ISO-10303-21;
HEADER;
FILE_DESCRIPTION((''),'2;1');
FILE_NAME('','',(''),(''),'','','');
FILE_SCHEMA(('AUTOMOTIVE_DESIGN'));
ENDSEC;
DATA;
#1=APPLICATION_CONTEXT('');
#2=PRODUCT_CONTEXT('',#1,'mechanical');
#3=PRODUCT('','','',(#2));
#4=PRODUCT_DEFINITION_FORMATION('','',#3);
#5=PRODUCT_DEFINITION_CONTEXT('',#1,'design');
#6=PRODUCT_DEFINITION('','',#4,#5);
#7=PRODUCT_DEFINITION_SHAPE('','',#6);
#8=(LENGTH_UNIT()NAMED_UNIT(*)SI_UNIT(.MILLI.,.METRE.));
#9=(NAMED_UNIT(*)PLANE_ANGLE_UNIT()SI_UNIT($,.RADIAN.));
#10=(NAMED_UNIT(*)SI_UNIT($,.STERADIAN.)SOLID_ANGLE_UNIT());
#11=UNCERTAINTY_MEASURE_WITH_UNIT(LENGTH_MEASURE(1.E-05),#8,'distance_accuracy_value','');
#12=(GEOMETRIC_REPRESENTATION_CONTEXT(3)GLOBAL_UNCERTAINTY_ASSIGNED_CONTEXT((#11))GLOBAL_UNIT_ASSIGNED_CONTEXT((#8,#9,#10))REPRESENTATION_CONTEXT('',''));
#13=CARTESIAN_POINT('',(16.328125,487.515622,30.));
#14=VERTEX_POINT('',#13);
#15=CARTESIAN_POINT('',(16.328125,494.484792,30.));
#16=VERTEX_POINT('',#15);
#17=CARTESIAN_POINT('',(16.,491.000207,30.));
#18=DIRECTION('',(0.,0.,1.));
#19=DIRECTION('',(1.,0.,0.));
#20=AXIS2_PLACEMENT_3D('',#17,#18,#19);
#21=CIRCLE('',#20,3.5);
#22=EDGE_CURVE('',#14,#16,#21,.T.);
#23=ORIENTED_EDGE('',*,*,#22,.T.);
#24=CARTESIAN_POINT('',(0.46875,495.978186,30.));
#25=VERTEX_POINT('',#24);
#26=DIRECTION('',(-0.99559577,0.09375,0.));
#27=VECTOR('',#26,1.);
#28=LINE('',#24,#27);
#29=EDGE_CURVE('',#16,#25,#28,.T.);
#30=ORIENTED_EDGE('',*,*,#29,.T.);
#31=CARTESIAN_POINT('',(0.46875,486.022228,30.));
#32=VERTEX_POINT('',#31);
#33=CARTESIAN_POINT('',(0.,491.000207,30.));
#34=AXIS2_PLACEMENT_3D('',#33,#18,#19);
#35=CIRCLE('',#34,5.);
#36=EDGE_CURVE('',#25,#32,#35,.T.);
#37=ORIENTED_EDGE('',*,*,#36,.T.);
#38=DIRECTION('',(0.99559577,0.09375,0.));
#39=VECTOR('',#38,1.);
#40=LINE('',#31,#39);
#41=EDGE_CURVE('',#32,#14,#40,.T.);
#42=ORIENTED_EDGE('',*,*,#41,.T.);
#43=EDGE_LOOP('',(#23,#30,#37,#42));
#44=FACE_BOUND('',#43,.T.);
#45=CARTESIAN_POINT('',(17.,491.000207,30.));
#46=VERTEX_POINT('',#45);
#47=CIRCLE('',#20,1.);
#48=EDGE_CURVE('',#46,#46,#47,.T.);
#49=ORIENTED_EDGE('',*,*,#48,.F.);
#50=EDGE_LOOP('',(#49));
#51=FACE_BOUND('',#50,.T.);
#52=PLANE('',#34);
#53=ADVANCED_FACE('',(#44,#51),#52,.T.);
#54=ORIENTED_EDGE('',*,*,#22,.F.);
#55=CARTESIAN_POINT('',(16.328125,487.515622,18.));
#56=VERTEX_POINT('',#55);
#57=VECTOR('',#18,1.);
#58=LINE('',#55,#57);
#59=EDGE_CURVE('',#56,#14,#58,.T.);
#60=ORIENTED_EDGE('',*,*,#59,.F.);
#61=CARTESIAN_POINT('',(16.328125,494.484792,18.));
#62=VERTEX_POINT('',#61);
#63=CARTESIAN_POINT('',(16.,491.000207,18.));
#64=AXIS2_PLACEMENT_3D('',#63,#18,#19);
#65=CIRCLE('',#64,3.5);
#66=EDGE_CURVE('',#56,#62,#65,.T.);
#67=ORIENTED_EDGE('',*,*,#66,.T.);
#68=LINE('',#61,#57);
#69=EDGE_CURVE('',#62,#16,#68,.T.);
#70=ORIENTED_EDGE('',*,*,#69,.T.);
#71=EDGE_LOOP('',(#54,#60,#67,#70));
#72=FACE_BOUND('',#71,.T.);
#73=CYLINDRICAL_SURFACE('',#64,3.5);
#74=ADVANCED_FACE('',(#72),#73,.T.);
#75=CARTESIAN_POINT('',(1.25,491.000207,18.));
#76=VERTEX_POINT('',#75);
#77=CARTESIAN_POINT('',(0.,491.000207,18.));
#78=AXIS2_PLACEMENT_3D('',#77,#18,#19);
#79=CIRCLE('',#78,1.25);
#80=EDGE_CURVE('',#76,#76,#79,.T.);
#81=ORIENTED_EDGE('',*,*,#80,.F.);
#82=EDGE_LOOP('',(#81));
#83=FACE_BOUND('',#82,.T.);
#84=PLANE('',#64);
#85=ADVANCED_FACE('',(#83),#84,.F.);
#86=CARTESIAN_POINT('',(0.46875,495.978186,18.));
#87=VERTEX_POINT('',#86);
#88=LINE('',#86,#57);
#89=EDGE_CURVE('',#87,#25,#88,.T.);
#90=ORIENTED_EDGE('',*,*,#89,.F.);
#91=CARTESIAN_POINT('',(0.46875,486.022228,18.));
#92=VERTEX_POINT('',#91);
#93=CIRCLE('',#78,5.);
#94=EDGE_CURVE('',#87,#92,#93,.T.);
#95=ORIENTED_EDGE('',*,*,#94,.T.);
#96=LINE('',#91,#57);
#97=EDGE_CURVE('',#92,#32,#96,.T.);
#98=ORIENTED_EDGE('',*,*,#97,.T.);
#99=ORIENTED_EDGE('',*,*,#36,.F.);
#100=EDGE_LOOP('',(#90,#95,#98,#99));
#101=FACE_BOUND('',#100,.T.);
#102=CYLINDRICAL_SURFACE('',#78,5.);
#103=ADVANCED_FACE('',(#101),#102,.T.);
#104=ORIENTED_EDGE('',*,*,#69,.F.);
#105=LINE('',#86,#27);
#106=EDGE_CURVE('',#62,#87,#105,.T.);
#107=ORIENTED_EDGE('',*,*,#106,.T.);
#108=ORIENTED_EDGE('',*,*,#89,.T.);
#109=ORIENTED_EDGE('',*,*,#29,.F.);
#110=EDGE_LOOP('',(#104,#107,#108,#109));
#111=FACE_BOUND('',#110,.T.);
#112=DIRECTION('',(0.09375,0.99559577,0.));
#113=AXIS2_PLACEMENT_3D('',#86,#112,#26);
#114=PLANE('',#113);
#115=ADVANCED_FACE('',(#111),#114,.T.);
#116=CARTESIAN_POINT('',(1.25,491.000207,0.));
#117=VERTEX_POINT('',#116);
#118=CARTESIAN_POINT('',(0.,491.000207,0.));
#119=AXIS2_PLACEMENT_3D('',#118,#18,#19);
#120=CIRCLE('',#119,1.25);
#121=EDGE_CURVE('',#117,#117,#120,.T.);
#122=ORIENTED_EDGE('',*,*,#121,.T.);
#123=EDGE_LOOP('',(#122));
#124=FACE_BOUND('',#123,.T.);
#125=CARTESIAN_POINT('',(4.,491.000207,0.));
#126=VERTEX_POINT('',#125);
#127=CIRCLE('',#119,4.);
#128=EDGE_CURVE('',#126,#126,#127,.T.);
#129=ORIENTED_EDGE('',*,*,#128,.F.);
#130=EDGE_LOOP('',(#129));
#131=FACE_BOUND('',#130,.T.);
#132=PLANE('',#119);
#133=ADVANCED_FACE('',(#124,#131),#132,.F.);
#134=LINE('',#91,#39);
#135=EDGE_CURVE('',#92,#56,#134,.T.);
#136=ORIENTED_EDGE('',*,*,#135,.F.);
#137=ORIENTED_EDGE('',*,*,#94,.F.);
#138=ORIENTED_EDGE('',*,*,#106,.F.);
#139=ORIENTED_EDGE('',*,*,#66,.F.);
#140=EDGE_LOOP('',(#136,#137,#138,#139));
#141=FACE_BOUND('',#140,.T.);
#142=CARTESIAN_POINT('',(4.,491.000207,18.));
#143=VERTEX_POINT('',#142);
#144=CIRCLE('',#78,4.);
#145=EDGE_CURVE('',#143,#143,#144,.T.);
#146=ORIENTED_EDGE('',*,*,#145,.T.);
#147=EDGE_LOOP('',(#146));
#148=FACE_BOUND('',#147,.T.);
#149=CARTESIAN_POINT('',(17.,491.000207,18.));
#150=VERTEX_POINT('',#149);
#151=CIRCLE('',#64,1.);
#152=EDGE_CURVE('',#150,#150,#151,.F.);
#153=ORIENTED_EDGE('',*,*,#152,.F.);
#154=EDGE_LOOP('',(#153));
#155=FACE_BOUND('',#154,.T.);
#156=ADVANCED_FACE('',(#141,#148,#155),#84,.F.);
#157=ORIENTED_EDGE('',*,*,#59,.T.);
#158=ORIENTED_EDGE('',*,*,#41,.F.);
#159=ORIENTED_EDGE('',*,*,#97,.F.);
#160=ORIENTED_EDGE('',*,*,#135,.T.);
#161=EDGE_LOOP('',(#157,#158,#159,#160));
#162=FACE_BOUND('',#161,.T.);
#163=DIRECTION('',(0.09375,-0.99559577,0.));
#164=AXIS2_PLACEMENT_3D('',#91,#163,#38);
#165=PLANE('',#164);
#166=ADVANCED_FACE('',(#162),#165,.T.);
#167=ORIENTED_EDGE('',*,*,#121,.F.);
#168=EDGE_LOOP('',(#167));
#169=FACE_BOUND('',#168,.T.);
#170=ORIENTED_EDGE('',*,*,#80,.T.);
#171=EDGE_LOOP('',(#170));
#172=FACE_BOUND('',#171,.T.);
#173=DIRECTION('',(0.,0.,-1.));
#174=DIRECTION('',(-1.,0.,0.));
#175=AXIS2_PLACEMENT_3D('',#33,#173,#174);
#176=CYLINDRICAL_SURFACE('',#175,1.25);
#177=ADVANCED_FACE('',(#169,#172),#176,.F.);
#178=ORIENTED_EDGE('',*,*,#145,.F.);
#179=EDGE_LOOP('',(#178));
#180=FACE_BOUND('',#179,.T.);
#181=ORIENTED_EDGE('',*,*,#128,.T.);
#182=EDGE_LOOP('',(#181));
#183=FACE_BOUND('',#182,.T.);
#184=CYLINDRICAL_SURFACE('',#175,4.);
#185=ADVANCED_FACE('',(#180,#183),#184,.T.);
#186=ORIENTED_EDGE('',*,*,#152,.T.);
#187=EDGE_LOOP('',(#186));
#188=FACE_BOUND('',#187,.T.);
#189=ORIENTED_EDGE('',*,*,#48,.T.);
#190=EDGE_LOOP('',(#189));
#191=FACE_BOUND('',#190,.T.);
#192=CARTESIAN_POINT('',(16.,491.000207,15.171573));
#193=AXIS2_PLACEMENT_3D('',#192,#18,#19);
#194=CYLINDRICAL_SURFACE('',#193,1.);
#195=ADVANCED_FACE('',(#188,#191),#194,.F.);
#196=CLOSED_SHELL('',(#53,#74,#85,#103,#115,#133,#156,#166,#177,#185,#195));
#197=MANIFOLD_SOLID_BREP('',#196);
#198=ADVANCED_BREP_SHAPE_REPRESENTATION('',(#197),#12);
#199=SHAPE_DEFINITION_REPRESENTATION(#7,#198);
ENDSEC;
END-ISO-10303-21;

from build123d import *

# Parameters (mm, degrees)
SKETCH1_R           = 4
SKETCH1_R_2         = 1.25
BOSS_EXTRUDE1_DEPTH = 30
BOSS_EXTRUDE2_DEPTH = 12
SKETCH3_R           = 1
CUT_EXTRUDE1_DEPTH  = 12


with BuildPart() as part:
    # Sketch1 → Boss-Extrude1 (new body)
    with BuildSketch(Plane.XY):
        with Locations((0, 491.000207075)):
            Circle(SKETCH1_R)
        with Locations((0, 491.000207075)):
            Circle(SKETCH1_R_2, mode=Mode.SUBTRACT)
    extrude(amount=BOSS_EXTRUDE1_DEPTH)

    # Sketch2 → Boss-Extrude2 (add)
    with BuildSketch(Plane.XY.offset(30)):
        with BuildLine():
            Line((0.46875, 495.978185926), (16.328125, 494.484792271))
            ThreePointArc((16.328125, 494.484792271), (19.5, 491.000207075), (16.328125, 487.51562188))
            Line((16.328125, 487.51562188), (0.46875, 486.022228224))
            ThreePointArc((0.46875, 486.022228224), (-5, 491.000207075), (0.46875, 495.978185926))
        make_face()
    extrude(amount=-BOSS_EXTRUDE2_DEPTH)

    # Sketch3 → Cut-Extrude1 (cut)
    with BuildSketch(Plane.XY.offset(30)):
        with Locations((16, 491.000207075)):
            Circle(SKETCH3_R)
    extrude(amount=-CUT_EXTRUDE1_DEPTH, mode=Mode.SUBTRACT)


solid = part.part
